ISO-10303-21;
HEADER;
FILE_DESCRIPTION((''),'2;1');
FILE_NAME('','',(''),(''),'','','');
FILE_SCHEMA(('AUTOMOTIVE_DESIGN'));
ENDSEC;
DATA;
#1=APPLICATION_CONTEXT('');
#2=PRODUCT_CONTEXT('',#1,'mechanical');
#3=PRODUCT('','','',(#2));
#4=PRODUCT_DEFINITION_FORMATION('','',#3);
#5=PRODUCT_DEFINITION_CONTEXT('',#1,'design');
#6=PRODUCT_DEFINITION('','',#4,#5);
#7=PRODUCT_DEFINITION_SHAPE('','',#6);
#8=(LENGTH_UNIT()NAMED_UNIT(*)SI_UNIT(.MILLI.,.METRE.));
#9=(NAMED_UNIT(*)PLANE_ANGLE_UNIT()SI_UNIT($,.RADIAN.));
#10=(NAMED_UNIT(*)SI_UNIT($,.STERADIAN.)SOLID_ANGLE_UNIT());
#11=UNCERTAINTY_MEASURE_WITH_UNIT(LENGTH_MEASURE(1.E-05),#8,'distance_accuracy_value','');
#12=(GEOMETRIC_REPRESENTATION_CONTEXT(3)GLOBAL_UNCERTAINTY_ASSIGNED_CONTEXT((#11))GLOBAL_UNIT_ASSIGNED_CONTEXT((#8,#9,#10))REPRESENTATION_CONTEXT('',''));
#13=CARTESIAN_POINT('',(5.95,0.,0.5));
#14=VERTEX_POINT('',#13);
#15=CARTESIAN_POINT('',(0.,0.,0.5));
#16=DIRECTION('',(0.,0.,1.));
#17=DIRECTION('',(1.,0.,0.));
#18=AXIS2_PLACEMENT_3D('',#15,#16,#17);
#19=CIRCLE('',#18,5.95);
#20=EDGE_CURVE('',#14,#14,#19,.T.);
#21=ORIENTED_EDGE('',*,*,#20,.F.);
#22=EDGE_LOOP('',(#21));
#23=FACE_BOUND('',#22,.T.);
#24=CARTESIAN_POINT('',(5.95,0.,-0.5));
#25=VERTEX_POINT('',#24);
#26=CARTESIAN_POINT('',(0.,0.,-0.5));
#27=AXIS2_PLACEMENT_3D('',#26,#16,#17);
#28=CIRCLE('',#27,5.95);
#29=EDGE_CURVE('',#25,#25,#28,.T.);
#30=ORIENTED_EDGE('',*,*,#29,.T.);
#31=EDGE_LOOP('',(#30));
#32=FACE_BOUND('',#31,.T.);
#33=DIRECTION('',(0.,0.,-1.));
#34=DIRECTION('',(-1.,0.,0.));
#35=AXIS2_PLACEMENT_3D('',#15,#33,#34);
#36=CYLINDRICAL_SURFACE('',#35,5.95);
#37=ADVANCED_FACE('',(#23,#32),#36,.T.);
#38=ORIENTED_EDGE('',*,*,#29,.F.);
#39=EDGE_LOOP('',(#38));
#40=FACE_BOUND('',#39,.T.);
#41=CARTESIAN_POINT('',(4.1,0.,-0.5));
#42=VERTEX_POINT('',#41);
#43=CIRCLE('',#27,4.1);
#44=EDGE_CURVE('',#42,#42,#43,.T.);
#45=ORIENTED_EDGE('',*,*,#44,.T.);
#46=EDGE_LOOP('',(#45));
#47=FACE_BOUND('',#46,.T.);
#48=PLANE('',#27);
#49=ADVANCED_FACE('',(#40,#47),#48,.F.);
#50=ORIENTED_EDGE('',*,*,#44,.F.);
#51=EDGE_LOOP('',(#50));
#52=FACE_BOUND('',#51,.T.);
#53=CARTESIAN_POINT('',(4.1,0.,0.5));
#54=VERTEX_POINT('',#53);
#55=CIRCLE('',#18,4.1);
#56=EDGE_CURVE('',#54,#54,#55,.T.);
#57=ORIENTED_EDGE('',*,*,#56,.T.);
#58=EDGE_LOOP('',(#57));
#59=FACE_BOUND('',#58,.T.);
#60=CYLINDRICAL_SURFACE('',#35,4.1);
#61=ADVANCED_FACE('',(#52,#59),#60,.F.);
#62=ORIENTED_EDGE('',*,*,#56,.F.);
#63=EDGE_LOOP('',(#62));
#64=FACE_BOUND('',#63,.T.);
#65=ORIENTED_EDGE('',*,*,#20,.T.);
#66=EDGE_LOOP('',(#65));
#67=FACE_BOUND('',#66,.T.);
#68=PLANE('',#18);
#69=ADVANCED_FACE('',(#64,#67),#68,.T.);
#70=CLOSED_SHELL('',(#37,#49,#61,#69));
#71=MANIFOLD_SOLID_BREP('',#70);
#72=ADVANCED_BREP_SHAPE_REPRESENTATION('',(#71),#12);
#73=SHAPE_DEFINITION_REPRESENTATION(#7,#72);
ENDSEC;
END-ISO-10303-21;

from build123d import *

# Parameters (mm, degrees)
SKETCH3_R           = 5.95
SKETCH3_R_2         = 4.1
BOSS_EXTRUDE1_DEPTH = 0.5


with BuildPart() as part:
    # Sketch3 → Boss-Extrude1 (new, symmetric)
    with BuildSketch(Plane.XY):
        Circle(SKETCH3_R)
        Circle(SKETCH3_R_2, mode=Mode.SUBTRACT)
    extrude(amount=BOSS_EXTRUDE1_DEPTH, both=True)


solid = part.part
